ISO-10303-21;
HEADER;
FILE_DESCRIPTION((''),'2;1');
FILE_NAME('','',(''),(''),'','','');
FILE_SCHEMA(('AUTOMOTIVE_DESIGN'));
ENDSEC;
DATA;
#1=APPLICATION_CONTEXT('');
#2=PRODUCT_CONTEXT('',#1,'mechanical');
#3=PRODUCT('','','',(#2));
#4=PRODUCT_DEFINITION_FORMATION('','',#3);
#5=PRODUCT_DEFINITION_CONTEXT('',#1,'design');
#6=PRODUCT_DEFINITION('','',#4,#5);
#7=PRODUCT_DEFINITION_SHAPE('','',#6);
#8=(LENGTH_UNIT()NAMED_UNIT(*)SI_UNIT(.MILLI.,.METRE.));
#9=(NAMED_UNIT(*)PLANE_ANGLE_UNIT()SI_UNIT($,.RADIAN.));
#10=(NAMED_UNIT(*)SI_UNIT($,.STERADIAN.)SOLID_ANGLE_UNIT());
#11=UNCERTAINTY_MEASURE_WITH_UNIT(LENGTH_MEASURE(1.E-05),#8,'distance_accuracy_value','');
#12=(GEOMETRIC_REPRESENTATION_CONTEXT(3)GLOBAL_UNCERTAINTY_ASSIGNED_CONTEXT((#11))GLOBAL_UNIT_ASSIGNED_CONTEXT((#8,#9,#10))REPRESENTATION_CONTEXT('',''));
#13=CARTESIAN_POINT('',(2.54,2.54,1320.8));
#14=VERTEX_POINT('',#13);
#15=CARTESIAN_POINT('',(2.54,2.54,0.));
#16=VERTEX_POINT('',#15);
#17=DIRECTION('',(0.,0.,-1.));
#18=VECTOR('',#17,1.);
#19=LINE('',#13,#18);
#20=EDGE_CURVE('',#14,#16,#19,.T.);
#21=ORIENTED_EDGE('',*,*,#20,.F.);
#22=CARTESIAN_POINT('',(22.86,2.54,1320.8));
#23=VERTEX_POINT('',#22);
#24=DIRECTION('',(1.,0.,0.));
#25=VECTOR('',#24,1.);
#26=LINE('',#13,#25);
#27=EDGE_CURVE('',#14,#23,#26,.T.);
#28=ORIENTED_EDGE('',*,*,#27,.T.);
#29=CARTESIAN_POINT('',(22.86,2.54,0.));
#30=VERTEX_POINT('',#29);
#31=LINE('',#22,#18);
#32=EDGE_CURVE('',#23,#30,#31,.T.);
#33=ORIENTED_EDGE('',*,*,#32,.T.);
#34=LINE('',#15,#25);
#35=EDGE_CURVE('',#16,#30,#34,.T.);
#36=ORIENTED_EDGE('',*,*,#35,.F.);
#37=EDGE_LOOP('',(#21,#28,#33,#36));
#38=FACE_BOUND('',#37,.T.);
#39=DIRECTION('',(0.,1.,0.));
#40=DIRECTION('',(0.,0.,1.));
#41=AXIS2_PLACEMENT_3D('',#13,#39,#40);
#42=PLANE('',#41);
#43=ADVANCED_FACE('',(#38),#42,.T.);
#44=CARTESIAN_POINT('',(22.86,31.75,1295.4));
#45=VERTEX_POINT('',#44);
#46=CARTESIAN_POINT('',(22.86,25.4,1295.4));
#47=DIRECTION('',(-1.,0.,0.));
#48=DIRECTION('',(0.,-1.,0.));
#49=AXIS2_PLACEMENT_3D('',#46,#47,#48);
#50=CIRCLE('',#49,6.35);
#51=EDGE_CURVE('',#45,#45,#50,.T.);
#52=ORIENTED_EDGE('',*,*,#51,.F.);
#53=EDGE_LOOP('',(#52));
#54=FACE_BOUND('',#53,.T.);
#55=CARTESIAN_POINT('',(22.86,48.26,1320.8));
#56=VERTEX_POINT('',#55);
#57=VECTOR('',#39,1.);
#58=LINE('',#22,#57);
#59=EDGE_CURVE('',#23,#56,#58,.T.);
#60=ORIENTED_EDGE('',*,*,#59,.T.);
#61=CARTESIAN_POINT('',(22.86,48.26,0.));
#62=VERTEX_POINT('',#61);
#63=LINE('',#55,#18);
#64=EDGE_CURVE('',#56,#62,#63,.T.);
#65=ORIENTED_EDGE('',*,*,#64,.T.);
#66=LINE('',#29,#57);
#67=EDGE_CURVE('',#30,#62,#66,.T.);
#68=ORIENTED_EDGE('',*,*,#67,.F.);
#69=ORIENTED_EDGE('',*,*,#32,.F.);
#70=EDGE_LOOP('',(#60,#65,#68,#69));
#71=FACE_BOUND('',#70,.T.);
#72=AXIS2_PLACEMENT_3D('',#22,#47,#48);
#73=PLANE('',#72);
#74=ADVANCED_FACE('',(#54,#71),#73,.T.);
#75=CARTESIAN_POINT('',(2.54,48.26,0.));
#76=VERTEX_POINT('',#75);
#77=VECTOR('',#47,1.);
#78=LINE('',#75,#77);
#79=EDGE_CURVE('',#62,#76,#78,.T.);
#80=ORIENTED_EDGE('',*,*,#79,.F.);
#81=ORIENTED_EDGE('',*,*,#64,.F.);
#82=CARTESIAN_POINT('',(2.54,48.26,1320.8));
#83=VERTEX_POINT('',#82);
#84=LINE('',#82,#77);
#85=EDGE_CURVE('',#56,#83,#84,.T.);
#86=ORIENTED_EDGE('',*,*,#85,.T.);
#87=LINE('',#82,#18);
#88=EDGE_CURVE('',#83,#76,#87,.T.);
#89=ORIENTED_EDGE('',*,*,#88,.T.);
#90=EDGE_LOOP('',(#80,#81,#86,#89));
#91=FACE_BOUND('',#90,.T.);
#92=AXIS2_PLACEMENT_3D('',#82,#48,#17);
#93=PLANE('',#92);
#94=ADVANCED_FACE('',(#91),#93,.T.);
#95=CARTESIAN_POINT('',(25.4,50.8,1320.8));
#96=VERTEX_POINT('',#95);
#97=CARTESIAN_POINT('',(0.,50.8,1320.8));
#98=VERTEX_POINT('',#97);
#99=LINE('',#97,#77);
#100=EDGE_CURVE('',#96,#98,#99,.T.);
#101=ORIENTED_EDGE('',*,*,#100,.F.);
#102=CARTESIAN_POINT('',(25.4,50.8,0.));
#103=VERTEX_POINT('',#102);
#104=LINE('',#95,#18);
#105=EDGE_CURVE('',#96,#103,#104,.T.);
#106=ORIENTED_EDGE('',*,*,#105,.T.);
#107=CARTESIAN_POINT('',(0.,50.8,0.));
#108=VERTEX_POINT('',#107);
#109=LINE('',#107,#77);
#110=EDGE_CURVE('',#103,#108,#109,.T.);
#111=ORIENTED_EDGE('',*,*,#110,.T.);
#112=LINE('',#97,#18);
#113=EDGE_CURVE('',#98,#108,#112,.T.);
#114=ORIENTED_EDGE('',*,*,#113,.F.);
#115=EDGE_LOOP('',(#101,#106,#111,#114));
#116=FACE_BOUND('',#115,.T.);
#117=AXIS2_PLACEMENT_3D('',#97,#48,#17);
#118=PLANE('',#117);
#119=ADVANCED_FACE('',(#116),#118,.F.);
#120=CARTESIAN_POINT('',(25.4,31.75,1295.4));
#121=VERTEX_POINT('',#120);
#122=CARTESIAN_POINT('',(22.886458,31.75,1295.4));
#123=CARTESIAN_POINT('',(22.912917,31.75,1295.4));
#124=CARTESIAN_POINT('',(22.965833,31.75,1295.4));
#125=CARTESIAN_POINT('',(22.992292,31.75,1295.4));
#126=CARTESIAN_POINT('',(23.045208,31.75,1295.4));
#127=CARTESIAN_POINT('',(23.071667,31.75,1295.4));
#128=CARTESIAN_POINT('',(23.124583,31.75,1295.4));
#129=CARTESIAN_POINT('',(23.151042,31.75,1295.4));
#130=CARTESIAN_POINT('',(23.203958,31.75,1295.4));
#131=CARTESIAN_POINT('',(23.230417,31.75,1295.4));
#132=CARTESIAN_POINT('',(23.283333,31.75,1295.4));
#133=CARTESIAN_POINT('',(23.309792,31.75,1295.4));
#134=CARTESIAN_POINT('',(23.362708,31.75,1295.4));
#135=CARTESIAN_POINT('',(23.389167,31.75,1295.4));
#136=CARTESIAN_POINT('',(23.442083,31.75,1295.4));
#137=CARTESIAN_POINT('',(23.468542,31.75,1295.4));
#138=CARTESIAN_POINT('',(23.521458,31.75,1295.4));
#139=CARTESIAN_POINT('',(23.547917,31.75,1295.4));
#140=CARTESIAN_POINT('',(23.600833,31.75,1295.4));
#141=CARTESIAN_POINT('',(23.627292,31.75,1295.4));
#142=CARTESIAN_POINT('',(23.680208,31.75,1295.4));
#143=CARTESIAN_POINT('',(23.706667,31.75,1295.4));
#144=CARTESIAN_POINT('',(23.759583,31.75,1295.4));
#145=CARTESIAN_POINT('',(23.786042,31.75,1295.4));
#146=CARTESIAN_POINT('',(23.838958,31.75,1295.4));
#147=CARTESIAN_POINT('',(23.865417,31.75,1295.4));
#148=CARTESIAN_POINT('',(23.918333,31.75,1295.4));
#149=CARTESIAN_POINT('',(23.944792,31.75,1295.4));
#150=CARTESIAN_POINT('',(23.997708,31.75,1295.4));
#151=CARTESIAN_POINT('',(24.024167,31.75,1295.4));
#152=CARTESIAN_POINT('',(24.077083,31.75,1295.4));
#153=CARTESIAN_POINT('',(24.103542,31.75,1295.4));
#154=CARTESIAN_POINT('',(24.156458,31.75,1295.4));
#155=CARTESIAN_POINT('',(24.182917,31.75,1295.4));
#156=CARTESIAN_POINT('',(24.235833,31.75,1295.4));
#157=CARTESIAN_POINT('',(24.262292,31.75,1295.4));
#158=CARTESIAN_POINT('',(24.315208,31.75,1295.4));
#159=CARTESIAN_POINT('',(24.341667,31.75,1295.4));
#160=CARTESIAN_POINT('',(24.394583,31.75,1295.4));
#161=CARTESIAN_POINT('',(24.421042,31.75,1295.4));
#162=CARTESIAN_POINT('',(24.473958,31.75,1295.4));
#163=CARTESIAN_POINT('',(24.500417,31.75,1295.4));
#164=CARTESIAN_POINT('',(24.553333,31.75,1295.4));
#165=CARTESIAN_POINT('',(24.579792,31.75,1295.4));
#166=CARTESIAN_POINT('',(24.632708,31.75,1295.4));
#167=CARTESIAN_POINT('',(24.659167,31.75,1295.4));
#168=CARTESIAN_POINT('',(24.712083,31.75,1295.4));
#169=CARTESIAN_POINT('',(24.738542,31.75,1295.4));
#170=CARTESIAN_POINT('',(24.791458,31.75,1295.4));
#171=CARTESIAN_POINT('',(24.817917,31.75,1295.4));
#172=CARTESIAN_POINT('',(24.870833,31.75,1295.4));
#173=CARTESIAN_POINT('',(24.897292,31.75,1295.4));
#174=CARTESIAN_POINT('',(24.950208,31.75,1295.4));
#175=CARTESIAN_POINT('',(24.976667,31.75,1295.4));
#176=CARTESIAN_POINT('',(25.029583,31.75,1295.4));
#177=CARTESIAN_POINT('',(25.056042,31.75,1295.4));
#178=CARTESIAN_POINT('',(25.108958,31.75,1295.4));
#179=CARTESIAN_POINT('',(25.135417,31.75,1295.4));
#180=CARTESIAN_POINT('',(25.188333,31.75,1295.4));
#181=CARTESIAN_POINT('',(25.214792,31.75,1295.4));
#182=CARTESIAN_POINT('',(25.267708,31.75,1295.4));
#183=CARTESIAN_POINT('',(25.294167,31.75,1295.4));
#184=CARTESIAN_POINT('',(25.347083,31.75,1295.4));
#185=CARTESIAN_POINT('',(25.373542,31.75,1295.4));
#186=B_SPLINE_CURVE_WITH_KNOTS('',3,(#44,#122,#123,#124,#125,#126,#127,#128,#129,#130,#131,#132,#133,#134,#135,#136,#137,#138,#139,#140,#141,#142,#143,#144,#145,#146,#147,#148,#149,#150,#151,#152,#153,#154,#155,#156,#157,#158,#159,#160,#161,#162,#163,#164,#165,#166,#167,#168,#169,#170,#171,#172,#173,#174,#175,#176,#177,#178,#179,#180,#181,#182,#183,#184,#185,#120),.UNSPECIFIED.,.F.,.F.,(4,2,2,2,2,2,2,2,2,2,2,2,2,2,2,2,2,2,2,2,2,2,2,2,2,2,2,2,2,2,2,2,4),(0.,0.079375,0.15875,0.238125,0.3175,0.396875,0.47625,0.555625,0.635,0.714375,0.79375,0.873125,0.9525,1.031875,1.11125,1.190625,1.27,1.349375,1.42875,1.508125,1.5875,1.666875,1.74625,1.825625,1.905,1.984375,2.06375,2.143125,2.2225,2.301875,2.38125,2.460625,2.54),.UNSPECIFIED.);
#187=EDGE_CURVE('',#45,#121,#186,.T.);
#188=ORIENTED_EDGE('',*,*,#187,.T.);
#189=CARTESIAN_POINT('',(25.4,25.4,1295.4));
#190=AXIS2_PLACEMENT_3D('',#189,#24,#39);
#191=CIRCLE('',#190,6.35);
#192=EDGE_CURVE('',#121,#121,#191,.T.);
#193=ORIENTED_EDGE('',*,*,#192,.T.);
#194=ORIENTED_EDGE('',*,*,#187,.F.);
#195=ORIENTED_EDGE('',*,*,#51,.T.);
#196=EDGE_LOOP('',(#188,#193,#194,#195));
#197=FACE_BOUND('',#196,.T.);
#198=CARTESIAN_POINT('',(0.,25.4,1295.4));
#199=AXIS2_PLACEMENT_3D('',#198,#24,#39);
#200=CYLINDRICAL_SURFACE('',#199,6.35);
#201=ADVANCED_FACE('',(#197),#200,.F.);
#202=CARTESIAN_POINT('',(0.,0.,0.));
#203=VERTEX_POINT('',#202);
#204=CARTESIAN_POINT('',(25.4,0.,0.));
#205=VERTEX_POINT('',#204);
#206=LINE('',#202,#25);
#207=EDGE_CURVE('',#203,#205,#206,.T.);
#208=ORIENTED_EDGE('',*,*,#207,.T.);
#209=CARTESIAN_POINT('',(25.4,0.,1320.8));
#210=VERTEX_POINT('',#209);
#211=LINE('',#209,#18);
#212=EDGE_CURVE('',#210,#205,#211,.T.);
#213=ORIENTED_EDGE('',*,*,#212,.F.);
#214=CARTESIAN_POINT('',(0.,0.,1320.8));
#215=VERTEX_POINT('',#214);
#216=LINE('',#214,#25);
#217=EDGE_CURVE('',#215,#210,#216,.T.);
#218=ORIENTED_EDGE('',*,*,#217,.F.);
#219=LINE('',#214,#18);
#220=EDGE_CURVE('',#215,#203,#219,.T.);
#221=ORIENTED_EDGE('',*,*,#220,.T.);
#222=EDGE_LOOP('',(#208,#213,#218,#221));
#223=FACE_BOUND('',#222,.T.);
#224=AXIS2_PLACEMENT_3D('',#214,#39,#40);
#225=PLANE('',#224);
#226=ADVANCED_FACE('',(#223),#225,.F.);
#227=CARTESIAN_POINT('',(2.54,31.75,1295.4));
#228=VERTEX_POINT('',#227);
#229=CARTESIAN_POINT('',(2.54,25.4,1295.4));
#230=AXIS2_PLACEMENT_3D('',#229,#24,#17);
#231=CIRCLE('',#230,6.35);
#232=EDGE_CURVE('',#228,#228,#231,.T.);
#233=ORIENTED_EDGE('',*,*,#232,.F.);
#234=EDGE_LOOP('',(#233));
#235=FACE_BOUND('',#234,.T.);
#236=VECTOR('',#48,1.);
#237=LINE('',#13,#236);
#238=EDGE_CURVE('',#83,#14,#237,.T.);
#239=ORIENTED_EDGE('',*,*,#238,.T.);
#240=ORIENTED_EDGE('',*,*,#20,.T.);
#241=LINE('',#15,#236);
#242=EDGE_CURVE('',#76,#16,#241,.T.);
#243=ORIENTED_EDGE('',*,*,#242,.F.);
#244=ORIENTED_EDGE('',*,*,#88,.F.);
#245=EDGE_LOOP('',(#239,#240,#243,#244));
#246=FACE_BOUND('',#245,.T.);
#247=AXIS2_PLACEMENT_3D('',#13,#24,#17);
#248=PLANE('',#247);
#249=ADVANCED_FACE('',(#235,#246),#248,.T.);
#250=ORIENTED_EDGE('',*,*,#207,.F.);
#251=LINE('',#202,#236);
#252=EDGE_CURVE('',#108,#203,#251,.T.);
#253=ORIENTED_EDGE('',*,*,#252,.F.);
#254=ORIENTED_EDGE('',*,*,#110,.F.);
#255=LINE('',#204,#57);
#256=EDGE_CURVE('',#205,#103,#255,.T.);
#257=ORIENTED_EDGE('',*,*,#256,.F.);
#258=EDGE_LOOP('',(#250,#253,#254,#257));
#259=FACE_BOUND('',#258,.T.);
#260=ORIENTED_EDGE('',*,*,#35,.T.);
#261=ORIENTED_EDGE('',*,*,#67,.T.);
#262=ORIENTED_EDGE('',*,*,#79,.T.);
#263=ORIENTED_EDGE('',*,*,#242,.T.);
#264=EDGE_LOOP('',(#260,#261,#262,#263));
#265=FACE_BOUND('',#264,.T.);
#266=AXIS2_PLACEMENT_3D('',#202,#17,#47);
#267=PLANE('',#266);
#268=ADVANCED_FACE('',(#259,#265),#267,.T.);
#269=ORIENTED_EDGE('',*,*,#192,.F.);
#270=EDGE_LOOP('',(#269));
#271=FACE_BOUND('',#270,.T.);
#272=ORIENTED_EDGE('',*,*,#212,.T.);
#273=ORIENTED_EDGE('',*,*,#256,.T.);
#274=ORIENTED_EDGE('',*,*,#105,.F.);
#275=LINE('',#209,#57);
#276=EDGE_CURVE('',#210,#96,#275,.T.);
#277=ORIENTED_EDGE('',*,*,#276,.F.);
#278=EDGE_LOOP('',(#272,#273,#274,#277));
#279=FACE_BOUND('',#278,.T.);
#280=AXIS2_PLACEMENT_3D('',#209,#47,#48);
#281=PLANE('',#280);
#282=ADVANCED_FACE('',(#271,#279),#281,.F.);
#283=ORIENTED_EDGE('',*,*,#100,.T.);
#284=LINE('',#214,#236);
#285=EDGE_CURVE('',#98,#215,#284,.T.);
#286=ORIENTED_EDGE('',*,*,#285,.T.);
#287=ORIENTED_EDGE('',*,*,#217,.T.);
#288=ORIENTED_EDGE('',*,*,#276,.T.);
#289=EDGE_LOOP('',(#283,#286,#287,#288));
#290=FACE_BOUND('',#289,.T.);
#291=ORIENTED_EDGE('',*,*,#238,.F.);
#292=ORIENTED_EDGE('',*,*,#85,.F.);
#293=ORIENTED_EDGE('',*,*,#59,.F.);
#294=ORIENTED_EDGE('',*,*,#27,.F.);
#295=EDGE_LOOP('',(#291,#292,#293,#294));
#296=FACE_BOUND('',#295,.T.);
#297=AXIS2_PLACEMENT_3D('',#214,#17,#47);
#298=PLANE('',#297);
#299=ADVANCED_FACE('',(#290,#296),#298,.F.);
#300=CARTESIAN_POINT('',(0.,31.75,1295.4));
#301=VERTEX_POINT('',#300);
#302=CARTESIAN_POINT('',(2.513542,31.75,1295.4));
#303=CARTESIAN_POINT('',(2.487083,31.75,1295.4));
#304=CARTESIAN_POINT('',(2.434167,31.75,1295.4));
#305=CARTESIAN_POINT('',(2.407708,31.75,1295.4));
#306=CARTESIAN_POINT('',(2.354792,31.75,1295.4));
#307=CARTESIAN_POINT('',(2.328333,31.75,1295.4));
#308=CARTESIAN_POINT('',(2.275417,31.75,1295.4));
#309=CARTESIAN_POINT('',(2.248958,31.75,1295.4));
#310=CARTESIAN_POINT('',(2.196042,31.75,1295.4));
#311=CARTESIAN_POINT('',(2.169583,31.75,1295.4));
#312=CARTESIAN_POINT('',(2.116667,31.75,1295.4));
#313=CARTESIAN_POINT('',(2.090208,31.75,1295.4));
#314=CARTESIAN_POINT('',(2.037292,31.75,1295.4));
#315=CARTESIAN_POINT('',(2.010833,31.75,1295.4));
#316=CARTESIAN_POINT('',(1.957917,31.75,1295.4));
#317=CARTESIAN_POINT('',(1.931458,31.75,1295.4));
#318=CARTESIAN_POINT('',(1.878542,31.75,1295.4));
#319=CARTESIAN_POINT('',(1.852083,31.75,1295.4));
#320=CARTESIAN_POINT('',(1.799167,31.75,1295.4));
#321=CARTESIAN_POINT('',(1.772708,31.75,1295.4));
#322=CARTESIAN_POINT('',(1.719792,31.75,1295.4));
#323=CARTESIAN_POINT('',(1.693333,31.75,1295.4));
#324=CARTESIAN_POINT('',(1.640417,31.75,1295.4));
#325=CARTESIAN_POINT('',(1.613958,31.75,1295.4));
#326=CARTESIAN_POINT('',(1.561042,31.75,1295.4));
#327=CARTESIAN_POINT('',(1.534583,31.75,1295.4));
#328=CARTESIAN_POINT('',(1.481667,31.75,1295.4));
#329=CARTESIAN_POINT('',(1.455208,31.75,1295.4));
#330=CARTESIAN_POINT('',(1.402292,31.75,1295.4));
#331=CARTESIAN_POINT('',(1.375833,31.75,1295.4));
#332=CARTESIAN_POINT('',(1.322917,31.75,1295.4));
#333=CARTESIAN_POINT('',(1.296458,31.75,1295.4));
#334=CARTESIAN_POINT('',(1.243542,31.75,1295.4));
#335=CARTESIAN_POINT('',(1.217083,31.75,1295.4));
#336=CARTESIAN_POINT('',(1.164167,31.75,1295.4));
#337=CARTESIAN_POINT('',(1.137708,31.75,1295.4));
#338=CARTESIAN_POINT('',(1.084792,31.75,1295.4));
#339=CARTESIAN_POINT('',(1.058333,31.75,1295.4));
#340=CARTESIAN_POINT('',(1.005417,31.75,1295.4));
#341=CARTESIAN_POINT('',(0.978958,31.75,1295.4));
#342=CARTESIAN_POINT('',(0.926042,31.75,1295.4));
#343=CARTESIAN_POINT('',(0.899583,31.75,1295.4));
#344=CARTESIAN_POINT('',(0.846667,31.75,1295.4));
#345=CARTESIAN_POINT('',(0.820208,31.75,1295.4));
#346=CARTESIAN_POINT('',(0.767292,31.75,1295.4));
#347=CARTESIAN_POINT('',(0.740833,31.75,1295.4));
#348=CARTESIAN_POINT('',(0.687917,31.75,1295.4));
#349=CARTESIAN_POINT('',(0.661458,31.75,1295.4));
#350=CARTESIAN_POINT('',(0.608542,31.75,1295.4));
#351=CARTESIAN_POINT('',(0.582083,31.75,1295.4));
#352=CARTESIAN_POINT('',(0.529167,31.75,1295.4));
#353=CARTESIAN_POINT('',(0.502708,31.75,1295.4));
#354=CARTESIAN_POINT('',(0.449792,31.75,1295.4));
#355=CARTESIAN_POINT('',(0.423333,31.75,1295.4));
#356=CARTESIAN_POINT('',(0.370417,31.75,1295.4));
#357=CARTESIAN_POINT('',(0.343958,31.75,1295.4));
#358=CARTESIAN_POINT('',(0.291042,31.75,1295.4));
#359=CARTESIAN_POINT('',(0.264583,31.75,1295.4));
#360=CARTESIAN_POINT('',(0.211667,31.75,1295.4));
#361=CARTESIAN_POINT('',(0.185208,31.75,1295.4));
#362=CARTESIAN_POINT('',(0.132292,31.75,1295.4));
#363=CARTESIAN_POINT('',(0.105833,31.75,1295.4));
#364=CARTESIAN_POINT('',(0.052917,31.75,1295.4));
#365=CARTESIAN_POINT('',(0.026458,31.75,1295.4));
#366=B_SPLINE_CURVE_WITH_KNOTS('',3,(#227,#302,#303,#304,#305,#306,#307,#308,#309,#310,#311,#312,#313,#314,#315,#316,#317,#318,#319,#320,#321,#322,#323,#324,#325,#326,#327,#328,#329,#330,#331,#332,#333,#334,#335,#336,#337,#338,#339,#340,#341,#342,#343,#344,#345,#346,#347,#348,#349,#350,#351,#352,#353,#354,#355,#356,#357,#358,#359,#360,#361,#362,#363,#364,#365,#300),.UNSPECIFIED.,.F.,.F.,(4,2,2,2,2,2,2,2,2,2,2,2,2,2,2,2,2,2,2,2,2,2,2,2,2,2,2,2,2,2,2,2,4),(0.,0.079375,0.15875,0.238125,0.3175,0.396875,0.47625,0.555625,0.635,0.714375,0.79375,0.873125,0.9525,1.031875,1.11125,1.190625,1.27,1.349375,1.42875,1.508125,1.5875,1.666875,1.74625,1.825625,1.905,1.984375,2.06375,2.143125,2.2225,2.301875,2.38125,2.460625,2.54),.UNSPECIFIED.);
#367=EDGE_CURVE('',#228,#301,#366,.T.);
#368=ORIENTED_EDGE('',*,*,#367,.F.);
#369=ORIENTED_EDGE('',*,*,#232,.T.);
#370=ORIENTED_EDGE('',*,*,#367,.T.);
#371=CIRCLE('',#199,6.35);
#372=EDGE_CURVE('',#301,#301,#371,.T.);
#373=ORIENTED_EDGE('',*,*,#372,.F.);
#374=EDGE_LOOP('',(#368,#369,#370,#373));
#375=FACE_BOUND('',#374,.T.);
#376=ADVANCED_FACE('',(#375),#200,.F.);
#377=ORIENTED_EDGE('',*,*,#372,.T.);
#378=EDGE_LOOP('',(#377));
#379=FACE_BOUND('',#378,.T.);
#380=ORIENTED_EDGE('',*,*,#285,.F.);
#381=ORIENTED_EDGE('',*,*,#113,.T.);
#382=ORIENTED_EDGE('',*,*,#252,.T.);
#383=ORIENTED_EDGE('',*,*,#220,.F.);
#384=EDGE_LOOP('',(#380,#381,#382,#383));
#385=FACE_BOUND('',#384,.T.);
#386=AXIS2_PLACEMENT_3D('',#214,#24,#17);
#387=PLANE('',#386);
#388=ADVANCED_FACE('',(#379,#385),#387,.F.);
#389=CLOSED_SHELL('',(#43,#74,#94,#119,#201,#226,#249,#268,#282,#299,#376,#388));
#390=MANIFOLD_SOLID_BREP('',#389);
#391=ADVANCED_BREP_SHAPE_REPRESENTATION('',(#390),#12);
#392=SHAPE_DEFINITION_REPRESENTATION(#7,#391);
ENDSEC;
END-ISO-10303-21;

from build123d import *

# Parameters (mm, degrees)
SKETCH1_W           = 25.4
SKETCH1_H           = 50.8
SKETCH1_W_2         = 20.32
SKETCH1_H_2         = 45.72
BOSS_EXTRUDE1_DEPTH = 1320.8
SKETCH2_R           = 6.35
CUT_EXTRUDE1_DEPTH  = 1323.020589855


with BuildPart() as part:
    # Sketch1 → Boss-Extrude1 (new body)
    with BuildSketch(Plane.XY):
        with Locations((12.7, 25.4)):
            Rectangle(SKETCH1_W, SKETCH1_H)
        with Locations((12.7, 25.4)):
            Rectangle(SKETCH1_W_2, SKETCH1_H_2, mode=Mode.SUBTRACT)
    extrude(amount=BOSS_EXTRUDE1_DEPTH)

    # Sketch2 → Cut-Extrude1 (cut, through all)
    with BuildSketch(Plane(origin=(25.4, 0, 0), x_dir=(0, 0, -1), z_dir=(1, 0, 0))):
        with Locations(Location((-1295.4, 25.4, 0), (0, 0, 90))):
            Circle(SKETCH2_R)
    extrude(amount=-CUT_EXTRUDE1_DEPTH, mode=Mode.SUBTRACT)


solid = part.part
